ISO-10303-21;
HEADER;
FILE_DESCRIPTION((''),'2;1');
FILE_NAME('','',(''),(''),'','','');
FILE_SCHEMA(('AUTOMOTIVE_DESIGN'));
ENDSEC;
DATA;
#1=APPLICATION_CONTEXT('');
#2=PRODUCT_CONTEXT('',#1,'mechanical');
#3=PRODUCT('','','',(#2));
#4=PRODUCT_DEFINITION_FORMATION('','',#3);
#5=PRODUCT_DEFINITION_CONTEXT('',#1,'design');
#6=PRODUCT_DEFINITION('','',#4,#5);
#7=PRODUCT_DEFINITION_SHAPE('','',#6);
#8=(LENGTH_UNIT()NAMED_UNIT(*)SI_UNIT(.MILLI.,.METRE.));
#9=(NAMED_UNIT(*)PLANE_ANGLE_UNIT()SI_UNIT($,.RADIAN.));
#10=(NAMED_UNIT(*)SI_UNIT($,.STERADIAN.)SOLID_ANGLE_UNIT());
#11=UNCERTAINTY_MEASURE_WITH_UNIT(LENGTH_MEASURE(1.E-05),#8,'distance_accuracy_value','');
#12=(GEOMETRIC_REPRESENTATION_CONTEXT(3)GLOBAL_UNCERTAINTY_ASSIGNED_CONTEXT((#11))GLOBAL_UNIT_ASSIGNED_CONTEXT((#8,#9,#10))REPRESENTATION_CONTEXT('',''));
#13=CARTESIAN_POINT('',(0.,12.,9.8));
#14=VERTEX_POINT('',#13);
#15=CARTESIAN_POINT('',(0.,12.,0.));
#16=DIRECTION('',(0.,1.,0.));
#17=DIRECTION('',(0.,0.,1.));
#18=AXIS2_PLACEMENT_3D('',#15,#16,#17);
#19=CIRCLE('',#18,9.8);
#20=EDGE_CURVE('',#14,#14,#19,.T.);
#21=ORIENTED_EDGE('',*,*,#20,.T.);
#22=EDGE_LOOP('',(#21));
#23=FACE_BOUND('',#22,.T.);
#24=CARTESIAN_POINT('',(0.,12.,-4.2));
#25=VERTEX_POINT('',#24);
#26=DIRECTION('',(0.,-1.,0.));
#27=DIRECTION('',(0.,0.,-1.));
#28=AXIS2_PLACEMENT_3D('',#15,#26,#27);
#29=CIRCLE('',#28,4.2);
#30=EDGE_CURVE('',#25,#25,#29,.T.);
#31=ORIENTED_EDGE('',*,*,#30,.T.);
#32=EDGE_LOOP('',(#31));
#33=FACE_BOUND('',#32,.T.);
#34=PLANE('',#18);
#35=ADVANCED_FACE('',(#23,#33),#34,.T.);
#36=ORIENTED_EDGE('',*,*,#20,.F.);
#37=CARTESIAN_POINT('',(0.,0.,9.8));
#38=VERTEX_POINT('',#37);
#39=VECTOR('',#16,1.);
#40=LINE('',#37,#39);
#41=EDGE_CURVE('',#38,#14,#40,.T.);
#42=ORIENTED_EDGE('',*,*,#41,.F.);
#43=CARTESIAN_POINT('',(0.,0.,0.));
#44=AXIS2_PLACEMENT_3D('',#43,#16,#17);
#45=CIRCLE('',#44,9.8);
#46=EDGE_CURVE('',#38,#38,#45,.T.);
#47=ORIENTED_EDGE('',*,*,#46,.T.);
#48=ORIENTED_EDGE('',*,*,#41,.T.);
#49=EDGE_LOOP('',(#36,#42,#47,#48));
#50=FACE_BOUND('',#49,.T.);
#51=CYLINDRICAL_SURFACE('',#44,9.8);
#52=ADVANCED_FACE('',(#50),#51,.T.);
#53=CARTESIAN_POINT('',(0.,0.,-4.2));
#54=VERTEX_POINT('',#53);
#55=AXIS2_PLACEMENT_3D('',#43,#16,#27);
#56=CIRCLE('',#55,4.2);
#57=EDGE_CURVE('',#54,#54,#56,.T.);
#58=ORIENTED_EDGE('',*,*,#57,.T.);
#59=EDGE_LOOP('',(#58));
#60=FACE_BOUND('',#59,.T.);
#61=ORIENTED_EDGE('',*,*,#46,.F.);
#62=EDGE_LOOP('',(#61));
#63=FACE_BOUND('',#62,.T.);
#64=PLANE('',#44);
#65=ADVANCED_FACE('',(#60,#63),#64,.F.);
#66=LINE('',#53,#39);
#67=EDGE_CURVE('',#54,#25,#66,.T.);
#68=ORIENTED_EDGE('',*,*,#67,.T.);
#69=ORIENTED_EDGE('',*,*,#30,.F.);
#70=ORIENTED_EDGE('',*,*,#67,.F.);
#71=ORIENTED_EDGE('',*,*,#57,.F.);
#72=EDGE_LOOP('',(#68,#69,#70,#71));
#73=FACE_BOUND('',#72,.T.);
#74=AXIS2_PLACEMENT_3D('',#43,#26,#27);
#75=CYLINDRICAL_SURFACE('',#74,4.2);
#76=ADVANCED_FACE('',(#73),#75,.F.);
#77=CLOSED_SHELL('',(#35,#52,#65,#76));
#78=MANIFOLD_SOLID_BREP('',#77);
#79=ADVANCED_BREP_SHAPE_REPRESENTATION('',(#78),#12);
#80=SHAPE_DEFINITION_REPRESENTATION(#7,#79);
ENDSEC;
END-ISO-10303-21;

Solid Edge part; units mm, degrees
sketch "Sketch1" plane through (0, 0, 0) normal (1, 0, 0) x (0, 1, 0)
  line L0 (0, 9.8) -> (12, 9.8)
  line L1 (12, 9.8) -> (12, 0)
  line L2 (12, 0) -> (0, 0)
  line L3 (0, 0) -> (0, 9.8)
  dimension "D1" = 12
  dimension "D2" = 9.8
  dimension "D3" = 9.8
  dimension "D4" = 12
revolve "RevolvedProtrusion1" add sketch "Sketch1" angle 360 about axis through (0, -60, 0) along (0, 1, 0)
hole "Hole1" at (0, 0, 0) direction (0, 1, 0) diameter 8.4 end up to next
